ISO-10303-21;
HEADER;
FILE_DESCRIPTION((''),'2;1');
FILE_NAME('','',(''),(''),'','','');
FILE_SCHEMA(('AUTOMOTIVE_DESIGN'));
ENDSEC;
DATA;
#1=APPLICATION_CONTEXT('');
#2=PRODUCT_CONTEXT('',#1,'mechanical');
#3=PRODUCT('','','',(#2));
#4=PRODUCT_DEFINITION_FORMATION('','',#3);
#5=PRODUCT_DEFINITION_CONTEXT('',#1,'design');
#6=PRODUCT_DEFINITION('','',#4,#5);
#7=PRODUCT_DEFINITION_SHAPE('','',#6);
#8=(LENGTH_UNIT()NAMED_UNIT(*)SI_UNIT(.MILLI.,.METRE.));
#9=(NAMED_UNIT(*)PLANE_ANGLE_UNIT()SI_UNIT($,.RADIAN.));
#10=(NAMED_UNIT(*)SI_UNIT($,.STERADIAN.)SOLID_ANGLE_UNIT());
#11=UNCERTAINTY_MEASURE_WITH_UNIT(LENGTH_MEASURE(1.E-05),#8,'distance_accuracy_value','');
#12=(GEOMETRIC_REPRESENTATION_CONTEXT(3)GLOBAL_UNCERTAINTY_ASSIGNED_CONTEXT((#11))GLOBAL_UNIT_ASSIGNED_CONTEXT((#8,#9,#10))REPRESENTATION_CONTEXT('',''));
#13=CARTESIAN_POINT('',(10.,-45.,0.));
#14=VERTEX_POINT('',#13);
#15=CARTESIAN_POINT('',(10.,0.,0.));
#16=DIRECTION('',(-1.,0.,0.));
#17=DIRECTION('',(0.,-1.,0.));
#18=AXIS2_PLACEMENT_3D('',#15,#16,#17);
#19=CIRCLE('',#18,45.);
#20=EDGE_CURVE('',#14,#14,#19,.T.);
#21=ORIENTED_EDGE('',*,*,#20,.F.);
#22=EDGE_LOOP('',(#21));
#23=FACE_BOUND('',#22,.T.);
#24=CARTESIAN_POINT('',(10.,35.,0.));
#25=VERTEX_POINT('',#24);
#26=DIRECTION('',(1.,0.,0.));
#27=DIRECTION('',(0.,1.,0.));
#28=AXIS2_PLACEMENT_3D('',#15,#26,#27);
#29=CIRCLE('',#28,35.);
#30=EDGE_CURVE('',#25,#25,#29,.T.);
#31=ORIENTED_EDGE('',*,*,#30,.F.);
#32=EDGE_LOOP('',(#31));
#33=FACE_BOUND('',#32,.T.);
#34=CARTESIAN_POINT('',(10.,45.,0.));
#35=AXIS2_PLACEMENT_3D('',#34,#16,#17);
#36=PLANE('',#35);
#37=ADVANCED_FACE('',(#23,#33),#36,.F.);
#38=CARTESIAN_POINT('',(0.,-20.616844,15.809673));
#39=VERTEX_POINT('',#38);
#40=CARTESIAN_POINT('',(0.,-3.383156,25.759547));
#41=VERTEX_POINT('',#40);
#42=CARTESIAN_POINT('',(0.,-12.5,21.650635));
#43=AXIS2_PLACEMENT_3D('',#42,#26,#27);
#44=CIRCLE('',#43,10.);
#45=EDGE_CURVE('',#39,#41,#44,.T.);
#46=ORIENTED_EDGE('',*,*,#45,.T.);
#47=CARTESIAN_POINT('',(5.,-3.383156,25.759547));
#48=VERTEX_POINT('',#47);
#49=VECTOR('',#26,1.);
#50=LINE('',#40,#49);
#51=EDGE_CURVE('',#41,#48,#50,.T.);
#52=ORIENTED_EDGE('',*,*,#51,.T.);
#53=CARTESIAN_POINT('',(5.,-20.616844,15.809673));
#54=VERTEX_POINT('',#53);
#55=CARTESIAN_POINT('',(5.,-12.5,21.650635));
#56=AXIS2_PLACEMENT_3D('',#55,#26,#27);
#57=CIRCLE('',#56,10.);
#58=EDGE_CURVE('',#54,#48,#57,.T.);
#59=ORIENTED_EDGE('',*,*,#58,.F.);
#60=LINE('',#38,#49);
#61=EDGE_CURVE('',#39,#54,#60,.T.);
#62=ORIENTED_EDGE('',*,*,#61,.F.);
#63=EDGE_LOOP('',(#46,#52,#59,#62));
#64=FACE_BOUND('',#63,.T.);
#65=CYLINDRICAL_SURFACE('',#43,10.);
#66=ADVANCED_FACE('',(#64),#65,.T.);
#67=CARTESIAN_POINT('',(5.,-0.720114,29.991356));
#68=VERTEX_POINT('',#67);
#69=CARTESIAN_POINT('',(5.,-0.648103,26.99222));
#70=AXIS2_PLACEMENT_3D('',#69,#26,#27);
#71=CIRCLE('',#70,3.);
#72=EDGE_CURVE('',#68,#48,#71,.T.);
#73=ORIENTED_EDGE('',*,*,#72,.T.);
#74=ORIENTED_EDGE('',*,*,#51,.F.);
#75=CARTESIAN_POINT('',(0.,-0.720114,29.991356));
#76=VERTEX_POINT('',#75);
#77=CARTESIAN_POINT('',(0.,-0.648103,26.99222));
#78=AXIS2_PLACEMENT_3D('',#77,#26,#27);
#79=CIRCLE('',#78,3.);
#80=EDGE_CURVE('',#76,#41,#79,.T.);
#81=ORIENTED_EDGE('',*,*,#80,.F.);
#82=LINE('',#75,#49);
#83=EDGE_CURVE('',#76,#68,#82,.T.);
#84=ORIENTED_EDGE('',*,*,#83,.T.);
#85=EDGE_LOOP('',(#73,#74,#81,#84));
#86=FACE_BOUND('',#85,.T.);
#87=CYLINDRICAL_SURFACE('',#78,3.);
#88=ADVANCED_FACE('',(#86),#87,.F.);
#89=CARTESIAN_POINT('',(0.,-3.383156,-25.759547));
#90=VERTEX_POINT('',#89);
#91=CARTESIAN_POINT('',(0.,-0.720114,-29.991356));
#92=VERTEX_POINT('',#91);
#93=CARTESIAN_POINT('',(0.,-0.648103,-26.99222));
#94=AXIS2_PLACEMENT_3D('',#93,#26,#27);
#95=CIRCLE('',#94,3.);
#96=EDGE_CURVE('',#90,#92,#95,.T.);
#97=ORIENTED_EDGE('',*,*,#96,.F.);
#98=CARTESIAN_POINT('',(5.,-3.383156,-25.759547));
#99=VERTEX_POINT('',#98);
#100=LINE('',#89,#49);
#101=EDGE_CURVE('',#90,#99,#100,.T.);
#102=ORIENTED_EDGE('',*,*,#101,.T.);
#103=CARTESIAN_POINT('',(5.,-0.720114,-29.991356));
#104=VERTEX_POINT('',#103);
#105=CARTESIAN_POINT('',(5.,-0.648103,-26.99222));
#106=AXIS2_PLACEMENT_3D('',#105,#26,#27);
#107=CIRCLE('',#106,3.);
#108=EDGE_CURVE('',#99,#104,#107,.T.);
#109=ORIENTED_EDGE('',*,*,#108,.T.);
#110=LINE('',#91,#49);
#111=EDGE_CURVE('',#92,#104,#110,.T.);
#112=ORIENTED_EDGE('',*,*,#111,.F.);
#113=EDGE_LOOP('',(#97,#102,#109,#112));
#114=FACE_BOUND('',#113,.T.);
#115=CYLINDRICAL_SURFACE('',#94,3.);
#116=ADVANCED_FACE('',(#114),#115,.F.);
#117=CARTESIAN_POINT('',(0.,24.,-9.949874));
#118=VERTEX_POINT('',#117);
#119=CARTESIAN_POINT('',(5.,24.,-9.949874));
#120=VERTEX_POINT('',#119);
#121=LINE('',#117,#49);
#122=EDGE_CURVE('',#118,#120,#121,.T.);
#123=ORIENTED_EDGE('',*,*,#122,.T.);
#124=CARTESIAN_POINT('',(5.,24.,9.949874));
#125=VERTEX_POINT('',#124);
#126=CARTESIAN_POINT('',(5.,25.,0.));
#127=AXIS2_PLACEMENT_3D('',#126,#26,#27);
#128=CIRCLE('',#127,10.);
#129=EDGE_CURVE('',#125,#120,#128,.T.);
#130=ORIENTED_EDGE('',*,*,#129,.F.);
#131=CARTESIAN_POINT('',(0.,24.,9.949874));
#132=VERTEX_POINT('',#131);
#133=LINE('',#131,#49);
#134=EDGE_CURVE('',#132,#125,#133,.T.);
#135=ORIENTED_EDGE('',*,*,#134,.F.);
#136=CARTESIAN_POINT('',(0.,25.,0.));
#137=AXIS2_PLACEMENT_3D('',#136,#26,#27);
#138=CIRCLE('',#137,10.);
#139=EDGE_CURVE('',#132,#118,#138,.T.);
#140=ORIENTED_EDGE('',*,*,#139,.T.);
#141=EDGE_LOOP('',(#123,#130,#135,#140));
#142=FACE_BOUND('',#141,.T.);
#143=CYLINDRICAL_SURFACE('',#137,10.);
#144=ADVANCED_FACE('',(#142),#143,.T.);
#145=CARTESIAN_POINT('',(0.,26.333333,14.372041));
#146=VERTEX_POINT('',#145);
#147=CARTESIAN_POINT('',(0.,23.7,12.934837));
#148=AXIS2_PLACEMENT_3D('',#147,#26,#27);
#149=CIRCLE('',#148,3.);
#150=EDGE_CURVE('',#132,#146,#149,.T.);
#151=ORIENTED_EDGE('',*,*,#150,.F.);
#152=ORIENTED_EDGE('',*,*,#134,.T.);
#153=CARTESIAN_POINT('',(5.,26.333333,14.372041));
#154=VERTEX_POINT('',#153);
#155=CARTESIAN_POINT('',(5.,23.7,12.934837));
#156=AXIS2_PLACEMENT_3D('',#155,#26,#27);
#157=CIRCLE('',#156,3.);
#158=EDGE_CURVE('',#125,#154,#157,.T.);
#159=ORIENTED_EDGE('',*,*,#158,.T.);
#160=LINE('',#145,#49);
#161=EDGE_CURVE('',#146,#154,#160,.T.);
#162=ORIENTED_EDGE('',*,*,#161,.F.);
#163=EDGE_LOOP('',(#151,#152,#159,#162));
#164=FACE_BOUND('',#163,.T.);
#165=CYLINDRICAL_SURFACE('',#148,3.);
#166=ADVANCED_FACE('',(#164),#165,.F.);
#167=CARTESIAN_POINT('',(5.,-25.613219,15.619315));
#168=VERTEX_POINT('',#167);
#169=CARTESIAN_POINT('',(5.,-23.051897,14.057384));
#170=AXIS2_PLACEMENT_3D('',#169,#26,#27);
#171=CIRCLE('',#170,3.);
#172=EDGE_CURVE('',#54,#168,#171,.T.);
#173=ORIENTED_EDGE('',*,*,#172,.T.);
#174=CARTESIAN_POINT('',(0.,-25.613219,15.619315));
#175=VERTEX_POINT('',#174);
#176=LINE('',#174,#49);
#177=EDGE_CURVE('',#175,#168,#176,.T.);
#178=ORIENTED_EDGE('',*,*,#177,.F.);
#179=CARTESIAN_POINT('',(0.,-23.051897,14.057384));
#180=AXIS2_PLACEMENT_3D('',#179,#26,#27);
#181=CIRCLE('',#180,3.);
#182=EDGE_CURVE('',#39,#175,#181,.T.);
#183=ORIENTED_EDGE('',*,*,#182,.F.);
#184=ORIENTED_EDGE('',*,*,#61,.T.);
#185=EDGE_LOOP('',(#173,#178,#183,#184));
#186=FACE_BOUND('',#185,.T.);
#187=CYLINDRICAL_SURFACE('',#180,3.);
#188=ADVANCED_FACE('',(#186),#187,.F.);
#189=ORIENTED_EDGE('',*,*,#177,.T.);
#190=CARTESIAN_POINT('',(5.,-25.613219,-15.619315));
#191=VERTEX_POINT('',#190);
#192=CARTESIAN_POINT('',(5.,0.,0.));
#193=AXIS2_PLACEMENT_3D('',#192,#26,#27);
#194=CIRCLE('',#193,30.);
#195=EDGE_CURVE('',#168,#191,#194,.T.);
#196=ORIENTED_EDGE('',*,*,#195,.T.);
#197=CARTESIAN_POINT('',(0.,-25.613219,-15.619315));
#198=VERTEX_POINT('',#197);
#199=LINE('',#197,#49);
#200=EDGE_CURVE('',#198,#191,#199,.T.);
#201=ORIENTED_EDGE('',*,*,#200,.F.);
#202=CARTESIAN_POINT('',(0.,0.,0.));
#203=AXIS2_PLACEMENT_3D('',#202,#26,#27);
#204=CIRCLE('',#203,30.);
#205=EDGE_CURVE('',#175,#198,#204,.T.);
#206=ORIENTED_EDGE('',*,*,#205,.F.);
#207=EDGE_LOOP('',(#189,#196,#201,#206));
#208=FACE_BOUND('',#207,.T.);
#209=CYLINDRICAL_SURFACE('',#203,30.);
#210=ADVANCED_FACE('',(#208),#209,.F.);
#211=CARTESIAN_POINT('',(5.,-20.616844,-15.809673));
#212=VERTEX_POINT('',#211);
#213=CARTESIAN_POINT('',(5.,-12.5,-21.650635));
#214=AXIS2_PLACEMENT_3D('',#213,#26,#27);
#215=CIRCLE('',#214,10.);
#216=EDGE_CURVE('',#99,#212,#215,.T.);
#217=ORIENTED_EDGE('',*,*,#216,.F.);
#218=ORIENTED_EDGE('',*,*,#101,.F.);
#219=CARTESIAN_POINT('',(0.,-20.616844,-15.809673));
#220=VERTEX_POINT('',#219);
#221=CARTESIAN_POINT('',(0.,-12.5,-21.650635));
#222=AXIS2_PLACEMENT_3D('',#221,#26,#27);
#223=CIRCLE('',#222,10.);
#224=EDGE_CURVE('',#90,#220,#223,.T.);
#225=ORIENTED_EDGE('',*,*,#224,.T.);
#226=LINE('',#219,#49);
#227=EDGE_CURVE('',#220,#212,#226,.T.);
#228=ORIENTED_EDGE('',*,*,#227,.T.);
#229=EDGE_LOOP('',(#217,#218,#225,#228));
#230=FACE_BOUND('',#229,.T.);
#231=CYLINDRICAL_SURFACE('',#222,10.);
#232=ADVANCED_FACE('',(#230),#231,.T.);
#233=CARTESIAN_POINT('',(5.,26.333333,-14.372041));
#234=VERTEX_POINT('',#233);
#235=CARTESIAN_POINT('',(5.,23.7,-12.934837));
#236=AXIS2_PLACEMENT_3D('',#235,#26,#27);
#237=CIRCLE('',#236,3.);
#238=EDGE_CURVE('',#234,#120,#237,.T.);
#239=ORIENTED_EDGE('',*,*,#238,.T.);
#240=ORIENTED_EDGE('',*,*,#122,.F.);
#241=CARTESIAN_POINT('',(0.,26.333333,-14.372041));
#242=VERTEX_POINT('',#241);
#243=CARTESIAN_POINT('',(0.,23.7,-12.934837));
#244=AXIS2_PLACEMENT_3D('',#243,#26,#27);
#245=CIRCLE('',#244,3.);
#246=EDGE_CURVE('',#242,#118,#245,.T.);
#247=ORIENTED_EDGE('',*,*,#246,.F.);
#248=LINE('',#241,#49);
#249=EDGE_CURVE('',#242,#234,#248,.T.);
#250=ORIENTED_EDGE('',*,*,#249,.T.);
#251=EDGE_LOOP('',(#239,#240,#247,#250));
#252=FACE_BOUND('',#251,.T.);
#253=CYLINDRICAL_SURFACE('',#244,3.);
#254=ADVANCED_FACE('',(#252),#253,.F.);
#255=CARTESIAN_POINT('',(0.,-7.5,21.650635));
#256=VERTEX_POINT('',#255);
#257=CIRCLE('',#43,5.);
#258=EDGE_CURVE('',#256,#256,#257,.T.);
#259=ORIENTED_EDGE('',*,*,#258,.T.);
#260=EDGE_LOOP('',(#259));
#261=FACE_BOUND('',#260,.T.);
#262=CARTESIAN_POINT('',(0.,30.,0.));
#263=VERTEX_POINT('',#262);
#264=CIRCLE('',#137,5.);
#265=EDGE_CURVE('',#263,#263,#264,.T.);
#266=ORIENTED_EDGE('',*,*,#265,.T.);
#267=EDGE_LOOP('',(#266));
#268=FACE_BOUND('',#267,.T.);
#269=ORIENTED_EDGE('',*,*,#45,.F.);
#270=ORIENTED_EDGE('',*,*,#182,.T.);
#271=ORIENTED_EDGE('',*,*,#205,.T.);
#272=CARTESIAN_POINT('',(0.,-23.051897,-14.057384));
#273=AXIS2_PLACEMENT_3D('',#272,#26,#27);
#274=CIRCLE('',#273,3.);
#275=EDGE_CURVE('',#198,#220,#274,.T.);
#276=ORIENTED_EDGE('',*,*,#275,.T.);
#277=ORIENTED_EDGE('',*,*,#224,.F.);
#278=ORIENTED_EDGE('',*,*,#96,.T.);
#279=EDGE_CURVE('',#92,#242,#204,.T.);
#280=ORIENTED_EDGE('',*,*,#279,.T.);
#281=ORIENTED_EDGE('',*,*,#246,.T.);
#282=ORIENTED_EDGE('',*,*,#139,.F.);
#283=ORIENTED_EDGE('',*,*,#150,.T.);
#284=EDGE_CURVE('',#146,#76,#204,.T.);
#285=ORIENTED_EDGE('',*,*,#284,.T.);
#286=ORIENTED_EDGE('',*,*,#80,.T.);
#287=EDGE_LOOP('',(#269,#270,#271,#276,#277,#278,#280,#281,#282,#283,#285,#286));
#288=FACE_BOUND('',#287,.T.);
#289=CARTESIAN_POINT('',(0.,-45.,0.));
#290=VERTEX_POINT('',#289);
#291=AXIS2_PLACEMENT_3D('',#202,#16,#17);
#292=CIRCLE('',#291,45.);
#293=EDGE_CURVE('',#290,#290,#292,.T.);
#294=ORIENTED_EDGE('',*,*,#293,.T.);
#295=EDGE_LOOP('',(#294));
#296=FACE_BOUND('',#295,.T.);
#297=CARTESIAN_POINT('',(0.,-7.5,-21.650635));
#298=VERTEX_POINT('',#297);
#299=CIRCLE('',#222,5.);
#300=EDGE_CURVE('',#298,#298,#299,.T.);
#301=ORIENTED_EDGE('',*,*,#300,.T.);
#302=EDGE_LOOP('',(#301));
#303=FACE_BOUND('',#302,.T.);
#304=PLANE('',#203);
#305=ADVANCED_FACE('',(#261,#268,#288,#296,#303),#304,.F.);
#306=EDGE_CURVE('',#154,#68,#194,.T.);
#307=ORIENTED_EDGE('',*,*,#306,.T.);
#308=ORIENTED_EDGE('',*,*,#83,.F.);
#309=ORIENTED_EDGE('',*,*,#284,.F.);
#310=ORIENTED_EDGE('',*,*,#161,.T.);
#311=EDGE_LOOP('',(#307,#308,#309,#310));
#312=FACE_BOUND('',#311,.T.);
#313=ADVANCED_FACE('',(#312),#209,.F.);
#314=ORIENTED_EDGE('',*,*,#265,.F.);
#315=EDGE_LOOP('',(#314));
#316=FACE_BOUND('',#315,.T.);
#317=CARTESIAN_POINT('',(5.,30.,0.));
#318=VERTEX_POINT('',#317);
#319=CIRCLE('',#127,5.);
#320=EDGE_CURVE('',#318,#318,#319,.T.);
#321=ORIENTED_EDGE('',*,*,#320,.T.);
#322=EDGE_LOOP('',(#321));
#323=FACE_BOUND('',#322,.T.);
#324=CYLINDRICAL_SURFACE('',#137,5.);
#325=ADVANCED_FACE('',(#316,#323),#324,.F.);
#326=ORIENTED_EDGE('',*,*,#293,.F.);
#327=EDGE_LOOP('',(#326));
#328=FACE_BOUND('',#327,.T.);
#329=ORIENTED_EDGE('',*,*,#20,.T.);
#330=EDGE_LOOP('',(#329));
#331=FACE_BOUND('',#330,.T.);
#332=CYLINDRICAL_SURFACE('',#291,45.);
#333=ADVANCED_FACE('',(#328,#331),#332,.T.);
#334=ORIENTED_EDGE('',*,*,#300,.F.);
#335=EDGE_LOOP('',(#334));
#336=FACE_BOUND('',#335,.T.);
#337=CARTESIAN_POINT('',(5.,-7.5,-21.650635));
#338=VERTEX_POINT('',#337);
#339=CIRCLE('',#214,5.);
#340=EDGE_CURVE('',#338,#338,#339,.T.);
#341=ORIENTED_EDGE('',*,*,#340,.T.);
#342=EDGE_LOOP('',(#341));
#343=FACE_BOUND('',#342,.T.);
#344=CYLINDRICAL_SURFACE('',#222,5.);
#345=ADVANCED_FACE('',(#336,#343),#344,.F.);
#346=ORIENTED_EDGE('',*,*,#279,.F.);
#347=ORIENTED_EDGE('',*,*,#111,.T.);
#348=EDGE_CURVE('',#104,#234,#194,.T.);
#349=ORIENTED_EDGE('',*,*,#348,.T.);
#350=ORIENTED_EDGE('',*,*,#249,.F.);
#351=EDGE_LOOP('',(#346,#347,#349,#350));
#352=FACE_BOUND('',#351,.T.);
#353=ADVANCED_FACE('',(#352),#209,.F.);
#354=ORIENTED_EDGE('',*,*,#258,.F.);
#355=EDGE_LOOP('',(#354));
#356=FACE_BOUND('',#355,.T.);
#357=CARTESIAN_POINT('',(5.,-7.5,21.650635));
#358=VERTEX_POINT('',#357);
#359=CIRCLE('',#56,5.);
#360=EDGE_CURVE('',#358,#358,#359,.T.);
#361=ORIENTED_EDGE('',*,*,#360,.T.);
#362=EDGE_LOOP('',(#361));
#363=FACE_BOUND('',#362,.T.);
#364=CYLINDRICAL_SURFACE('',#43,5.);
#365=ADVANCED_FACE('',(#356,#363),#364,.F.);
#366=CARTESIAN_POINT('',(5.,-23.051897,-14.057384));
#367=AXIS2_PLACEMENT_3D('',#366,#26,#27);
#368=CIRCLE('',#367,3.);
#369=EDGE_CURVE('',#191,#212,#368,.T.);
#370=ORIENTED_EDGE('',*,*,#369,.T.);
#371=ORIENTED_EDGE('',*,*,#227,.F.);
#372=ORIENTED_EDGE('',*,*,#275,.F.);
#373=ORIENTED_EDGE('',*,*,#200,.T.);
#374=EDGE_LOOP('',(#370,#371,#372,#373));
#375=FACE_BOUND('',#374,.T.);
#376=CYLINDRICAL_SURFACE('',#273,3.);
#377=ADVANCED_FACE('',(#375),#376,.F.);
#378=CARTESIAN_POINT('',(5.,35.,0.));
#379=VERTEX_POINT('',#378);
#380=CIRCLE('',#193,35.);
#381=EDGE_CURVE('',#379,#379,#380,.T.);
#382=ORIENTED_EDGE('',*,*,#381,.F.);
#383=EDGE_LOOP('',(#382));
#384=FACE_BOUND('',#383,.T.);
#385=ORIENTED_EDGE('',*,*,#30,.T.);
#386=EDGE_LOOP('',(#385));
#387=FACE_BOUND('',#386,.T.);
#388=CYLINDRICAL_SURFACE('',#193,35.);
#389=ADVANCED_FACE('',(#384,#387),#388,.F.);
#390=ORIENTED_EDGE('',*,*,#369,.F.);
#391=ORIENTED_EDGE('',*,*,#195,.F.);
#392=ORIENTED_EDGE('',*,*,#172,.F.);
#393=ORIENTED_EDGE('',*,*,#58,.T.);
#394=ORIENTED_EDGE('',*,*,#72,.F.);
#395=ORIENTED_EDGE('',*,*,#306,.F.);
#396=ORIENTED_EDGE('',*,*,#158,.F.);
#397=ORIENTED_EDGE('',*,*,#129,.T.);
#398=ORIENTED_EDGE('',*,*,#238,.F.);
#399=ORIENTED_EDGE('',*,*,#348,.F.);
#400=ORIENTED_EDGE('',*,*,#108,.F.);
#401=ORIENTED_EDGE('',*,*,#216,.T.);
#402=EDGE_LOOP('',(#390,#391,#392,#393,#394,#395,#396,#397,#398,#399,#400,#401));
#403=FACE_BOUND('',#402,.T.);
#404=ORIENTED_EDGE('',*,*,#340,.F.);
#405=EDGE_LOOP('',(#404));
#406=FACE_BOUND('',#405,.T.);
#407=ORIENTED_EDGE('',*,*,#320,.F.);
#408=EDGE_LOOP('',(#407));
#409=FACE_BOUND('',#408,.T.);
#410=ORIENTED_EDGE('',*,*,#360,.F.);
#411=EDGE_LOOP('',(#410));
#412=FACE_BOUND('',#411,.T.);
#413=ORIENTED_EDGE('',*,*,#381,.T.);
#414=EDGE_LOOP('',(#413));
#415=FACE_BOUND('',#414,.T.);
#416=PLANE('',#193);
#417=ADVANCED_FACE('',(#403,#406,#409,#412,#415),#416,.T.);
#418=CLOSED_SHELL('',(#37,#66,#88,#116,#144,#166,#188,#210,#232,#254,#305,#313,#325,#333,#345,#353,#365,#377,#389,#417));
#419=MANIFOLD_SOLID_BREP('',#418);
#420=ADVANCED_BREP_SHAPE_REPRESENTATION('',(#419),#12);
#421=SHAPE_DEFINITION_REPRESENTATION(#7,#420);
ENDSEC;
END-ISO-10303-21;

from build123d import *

# Parameters (mm, degrees)
CROQUIS1_W            = 10
CROQUIS1_H            = 45
CROQUIS2_R            = 35
CORTAR_EXTRUIR1_DEPTH = 5
CROQUIS4_R            = 5
CORTAR_EXTRUIR3_DEPTH = 5


with BuildPart() as part:
    # Croquis1 → Revolución1 (revolve)
    with BuildSketch(Plane.XY, mode=Mode.PRIVATE) as revoluci_n1_sk:
        with Locations((5, 22.5)):
            Rectangle(CROQUIS1_W, CROQUIS1_H)
    revolve(revoluci_n1_sk.sketch.rotate(Axis((0, 0, 0), (1, 0, 0)), 180), axis=Axis((0, 0, 0), (1, 0, 0)))

    # Croquis2 → Cortar-Extruir1 (cut)
    with BuildSketch(Plane(origin=(10, 0, 0), x_dir=(0, 0, -1), z_dir=(1, 0, 0))):
        with Locations(Location((0, 0, 0), (0, 0, 90))):
            Circle(CROQUIS2_R)
    extrude(amount=-CORTAR_EXTRUIR1_DEPTH, mode=Mode.SUBTRACT)

    # Croquis4 → Cortar-Extruir3 (cut)
    with BuildSketch(Plane(origin=(5, 0, 0), x_dir=(0, 0, -1), z_dir=(1, 0, 0))):
        with BuildLine():
            ThreePointArc((29.991356012, -0.720114266), (25.980762114, 15), (14.372040758, 26.333333333))
            ThreePointArc((14.372040758, 26.333333333), (11.534836682, 26.353299832), (9.949874371, 24))
            ThreePointArc((9.949874371, 24), (0, 15), (-9.949874371, 24))
            ThreePointArc((-9.949874371, 24), (-11.534836682, 26.353299832), (-14.372040758, 26.333333333))
            ThreePointArc((-14.372040758, 26.333333333), (-25.980762114, 15), (-29.991356012, -0.720114266))
            ThreePointArc((-29.991356012, -0.720114266), (-28.590045469, -3.187188321), (-25.759546876, -3.38315603))
            ThreePointArc((-25.759546876, -3.38315603), (-12.990381057, -7.5), (-15.809672505, -20.61684397))
            ThreePointArc((-15.809672505, -20.61684397), (-17.055208787, -23.166111512), (-15.619315254, -25.613219068))
            ThreePointArc((-15.619315254, -25.613219068), (0, -30), (15.619315254, -25.613219067))
            ThreePointArc((15.619315254, -25.613219067), (17.055208787, -23.166111512), (15.809672505, -20.61684397))
            ThreePointArc((15.809672505, -20.61684397), (12.990381057, -7.5), (25.759546876, -3.38315603))
            ThreePointArc((25.759546876, -3.38315603), (28.59004547, -3.187188321), (29.991356012, -0.720114266))
        make_face()
        with Locations(Location((0, 25, 0), (0, 0, 90))):
            Circle(CROQUIS4_R)
        with Locations(Location((21.650635095, -12.5, 0), (0, 0, 90))):
            Circle(CROQUIS4_R)
        with Locations(Location((-21.650635095, -12.5, 0), (0, 0, 90))):
            Circle(CROQUIS4_R)
    extrude(amount=-CORTAR_EXTRUIR3_DEPTH, mode=Mode.SUBTRACT)


solid = part.part
